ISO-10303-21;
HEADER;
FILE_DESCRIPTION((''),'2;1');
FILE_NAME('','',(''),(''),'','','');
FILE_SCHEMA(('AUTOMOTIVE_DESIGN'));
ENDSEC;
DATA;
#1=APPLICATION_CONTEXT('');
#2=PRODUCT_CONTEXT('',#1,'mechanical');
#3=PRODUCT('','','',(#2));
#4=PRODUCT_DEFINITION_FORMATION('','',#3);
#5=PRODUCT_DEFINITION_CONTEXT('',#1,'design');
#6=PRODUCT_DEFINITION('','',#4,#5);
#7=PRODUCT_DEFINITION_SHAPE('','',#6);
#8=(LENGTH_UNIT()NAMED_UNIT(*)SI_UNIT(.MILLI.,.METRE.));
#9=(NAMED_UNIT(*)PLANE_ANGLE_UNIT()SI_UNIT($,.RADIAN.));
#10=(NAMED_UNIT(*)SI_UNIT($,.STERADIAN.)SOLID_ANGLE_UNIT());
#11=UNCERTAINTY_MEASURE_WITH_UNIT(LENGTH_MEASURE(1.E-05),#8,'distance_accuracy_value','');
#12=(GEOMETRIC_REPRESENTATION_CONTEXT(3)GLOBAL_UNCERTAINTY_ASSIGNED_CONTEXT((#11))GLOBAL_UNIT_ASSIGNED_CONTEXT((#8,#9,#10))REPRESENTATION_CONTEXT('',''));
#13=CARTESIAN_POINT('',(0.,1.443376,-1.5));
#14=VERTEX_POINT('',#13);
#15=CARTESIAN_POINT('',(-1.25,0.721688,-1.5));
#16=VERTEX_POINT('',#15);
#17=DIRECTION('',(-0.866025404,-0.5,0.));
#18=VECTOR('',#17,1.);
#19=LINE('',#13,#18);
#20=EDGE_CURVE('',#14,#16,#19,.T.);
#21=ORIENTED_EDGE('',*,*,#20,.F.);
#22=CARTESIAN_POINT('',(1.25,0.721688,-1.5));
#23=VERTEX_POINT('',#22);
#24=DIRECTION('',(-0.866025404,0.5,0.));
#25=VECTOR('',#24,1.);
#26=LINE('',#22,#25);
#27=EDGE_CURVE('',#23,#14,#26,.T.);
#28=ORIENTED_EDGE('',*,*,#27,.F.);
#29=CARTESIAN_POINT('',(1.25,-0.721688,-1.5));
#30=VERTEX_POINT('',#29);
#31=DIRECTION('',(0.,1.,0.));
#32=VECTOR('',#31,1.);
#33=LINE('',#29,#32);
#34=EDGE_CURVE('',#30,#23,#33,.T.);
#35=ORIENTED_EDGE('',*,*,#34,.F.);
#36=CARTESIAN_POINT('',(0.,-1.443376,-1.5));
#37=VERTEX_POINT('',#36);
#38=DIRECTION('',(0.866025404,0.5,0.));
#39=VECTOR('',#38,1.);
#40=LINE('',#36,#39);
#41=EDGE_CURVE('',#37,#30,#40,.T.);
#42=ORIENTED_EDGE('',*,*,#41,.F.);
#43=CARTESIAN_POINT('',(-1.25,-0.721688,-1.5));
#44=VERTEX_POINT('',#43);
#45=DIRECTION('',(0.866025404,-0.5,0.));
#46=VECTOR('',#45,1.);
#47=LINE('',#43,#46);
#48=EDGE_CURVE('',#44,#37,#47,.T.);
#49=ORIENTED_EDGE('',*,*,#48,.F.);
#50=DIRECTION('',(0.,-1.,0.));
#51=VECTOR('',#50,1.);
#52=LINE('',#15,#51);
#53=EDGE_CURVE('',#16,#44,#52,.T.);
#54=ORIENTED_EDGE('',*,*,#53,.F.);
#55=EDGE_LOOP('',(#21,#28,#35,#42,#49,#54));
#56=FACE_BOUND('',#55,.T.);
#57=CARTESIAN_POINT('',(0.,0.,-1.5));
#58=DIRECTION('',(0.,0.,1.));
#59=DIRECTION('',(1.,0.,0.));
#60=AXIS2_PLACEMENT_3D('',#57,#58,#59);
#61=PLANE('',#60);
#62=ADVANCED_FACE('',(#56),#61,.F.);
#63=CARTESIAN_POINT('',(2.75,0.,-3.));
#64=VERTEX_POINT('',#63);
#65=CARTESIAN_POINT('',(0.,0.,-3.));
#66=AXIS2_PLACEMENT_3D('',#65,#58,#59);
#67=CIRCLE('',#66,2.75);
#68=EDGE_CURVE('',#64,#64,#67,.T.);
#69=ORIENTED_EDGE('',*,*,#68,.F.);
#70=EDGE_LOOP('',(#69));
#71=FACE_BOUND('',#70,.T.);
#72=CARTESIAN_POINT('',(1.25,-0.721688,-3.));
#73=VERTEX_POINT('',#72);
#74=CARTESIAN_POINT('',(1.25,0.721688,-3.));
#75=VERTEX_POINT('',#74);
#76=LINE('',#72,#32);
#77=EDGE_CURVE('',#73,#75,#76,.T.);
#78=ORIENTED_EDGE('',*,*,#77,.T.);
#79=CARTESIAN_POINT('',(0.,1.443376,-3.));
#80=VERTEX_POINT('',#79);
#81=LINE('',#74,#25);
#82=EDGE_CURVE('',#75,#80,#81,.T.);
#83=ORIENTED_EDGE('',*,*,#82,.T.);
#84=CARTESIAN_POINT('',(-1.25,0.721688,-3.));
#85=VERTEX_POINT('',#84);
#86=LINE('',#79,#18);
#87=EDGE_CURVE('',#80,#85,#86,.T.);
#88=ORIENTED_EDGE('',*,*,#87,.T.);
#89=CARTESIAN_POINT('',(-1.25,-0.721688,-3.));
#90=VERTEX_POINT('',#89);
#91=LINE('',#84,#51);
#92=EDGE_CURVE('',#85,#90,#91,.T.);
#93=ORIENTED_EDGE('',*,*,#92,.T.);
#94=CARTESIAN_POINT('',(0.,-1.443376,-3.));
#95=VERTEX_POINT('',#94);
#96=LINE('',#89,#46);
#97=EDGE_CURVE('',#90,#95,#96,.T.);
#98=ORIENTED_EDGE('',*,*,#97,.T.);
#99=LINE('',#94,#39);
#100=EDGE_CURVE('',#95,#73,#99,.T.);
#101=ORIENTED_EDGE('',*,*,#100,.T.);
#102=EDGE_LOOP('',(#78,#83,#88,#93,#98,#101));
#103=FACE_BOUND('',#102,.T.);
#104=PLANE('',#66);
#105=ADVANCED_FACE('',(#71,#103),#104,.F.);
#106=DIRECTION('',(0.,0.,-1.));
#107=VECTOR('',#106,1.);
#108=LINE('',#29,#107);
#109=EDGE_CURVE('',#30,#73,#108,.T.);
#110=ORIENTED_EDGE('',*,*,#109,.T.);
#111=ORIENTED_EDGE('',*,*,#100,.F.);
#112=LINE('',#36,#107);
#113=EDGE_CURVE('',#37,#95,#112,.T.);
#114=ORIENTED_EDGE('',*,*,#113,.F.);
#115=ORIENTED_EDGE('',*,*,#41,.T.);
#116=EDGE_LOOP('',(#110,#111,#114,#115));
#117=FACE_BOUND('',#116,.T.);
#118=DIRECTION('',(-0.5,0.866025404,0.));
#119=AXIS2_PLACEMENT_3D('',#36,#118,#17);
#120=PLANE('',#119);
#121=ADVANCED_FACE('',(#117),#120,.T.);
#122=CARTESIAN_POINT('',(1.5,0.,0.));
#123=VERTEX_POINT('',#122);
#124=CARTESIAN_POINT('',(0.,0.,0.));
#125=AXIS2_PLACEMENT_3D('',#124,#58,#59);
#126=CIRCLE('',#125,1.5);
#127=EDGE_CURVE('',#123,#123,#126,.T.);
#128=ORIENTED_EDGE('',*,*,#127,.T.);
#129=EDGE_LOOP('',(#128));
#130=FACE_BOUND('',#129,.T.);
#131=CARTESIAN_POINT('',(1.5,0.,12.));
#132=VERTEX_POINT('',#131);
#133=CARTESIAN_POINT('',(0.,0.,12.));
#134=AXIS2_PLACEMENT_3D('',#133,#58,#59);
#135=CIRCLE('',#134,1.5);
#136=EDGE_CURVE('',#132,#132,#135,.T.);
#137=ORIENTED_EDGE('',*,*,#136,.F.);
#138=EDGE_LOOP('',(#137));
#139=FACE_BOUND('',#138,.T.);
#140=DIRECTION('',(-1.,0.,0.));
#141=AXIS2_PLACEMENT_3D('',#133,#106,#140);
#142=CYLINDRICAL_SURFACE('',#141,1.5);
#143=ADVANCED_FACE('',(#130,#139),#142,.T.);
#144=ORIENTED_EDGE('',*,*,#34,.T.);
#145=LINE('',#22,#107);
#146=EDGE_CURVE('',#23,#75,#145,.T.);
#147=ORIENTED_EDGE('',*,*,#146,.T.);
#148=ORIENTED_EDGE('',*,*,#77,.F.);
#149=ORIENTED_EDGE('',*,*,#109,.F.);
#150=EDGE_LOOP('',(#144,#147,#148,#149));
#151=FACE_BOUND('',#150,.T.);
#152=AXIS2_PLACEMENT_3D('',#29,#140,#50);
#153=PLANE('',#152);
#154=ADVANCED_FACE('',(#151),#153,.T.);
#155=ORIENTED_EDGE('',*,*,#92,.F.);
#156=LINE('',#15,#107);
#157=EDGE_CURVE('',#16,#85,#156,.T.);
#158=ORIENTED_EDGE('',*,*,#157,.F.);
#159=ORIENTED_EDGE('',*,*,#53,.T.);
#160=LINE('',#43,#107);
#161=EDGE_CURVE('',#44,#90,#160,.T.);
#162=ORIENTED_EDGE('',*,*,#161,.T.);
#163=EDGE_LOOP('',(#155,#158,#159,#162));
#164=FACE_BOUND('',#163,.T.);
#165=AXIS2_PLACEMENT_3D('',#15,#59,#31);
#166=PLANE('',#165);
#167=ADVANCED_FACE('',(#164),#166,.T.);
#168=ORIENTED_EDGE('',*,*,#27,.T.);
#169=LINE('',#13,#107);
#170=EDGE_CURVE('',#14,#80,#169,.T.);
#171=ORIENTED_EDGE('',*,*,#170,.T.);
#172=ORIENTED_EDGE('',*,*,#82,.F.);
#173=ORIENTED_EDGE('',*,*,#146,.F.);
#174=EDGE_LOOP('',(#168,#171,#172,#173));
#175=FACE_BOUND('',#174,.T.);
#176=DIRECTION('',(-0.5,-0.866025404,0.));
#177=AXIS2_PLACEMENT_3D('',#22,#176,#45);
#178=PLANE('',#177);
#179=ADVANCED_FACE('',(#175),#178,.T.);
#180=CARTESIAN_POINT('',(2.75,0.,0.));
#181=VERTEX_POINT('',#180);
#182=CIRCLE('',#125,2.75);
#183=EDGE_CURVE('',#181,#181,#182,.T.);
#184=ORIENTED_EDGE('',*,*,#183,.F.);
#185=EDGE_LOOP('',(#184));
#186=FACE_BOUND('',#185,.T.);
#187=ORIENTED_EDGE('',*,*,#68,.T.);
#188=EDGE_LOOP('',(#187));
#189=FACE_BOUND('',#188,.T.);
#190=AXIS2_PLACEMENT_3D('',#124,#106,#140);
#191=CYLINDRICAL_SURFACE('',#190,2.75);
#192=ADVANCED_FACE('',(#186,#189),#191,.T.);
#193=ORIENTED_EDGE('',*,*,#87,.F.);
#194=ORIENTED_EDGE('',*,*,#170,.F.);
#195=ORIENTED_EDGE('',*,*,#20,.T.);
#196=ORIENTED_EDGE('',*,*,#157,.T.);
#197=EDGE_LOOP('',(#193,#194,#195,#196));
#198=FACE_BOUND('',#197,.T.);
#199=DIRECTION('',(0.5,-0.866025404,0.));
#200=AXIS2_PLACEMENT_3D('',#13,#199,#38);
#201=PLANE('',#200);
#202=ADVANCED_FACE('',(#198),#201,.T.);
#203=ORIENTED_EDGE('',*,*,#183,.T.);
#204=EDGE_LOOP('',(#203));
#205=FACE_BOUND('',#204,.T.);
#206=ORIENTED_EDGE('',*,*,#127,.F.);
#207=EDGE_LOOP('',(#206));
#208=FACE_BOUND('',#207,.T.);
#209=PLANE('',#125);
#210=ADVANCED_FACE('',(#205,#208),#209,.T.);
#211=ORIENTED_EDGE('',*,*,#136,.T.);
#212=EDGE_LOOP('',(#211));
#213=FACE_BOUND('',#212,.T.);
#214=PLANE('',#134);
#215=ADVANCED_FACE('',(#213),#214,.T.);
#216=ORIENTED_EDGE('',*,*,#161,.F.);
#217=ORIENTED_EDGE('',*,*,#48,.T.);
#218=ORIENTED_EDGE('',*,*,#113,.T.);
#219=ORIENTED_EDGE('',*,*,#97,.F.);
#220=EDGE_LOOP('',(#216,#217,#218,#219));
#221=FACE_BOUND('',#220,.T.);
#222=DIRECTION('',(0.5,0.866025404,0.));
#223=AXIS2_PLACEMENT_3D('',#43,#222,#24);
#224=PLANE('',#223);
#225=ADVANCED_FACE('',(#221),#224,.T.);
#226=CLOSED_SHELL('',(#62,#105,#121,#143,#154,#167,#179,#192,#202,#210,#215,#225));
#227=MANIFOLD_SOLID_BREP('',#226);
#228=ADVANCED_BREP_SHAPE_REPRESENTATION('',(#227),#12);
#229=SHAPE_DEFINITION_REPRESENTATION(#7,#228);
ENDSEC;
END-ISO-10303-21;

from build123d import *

# Parameters (mm, degrees)
CABEZA_START            = -3
SK_CABEZA_R             = 2.75
CABEZA_DEPTH            = 3
SK_CUERPO_R             = 1.5
CUERPO_DEPTH            = 12
HEXAGONO_INTERIOR_START = -3
HEXAGONO_INTERIOR_DEPTH = 1.5


with BuildPart() as part:
    # Sk_Cabeza → Cabeza (new body)
    with BuildSketch(Plane.XY.offset(CABEZA_START)):
        Circle(SK_CABEZA_R)
    extrude(amount=CABEZA_DEPTH)

    # Sk_Cuerpo → Cuerpo (add)
    with BuildSketch(Plane.XY):
        Circle(SK_CUERPO_R)
    extrude(amount=CUERPO_DEPTH)

    # Sk_Hexagono_interior → Hexagono_interior (cut)
    with BuildSketch(Plane.XY.offset(HEXAGONO_INTERIOR_START)):
        Polygon((0, -1.443375673), (1.25, -0.721687836), (1.25, 0.721687836), (0, 1.443375673), (-1.25, 0.721687836), (-1.25, -0.721687836), align=None)
    extrude(amount=HEXAGONO_INTERIOR_DEPTH, mode=Mode.SUBTRACT)


solid = part.part
